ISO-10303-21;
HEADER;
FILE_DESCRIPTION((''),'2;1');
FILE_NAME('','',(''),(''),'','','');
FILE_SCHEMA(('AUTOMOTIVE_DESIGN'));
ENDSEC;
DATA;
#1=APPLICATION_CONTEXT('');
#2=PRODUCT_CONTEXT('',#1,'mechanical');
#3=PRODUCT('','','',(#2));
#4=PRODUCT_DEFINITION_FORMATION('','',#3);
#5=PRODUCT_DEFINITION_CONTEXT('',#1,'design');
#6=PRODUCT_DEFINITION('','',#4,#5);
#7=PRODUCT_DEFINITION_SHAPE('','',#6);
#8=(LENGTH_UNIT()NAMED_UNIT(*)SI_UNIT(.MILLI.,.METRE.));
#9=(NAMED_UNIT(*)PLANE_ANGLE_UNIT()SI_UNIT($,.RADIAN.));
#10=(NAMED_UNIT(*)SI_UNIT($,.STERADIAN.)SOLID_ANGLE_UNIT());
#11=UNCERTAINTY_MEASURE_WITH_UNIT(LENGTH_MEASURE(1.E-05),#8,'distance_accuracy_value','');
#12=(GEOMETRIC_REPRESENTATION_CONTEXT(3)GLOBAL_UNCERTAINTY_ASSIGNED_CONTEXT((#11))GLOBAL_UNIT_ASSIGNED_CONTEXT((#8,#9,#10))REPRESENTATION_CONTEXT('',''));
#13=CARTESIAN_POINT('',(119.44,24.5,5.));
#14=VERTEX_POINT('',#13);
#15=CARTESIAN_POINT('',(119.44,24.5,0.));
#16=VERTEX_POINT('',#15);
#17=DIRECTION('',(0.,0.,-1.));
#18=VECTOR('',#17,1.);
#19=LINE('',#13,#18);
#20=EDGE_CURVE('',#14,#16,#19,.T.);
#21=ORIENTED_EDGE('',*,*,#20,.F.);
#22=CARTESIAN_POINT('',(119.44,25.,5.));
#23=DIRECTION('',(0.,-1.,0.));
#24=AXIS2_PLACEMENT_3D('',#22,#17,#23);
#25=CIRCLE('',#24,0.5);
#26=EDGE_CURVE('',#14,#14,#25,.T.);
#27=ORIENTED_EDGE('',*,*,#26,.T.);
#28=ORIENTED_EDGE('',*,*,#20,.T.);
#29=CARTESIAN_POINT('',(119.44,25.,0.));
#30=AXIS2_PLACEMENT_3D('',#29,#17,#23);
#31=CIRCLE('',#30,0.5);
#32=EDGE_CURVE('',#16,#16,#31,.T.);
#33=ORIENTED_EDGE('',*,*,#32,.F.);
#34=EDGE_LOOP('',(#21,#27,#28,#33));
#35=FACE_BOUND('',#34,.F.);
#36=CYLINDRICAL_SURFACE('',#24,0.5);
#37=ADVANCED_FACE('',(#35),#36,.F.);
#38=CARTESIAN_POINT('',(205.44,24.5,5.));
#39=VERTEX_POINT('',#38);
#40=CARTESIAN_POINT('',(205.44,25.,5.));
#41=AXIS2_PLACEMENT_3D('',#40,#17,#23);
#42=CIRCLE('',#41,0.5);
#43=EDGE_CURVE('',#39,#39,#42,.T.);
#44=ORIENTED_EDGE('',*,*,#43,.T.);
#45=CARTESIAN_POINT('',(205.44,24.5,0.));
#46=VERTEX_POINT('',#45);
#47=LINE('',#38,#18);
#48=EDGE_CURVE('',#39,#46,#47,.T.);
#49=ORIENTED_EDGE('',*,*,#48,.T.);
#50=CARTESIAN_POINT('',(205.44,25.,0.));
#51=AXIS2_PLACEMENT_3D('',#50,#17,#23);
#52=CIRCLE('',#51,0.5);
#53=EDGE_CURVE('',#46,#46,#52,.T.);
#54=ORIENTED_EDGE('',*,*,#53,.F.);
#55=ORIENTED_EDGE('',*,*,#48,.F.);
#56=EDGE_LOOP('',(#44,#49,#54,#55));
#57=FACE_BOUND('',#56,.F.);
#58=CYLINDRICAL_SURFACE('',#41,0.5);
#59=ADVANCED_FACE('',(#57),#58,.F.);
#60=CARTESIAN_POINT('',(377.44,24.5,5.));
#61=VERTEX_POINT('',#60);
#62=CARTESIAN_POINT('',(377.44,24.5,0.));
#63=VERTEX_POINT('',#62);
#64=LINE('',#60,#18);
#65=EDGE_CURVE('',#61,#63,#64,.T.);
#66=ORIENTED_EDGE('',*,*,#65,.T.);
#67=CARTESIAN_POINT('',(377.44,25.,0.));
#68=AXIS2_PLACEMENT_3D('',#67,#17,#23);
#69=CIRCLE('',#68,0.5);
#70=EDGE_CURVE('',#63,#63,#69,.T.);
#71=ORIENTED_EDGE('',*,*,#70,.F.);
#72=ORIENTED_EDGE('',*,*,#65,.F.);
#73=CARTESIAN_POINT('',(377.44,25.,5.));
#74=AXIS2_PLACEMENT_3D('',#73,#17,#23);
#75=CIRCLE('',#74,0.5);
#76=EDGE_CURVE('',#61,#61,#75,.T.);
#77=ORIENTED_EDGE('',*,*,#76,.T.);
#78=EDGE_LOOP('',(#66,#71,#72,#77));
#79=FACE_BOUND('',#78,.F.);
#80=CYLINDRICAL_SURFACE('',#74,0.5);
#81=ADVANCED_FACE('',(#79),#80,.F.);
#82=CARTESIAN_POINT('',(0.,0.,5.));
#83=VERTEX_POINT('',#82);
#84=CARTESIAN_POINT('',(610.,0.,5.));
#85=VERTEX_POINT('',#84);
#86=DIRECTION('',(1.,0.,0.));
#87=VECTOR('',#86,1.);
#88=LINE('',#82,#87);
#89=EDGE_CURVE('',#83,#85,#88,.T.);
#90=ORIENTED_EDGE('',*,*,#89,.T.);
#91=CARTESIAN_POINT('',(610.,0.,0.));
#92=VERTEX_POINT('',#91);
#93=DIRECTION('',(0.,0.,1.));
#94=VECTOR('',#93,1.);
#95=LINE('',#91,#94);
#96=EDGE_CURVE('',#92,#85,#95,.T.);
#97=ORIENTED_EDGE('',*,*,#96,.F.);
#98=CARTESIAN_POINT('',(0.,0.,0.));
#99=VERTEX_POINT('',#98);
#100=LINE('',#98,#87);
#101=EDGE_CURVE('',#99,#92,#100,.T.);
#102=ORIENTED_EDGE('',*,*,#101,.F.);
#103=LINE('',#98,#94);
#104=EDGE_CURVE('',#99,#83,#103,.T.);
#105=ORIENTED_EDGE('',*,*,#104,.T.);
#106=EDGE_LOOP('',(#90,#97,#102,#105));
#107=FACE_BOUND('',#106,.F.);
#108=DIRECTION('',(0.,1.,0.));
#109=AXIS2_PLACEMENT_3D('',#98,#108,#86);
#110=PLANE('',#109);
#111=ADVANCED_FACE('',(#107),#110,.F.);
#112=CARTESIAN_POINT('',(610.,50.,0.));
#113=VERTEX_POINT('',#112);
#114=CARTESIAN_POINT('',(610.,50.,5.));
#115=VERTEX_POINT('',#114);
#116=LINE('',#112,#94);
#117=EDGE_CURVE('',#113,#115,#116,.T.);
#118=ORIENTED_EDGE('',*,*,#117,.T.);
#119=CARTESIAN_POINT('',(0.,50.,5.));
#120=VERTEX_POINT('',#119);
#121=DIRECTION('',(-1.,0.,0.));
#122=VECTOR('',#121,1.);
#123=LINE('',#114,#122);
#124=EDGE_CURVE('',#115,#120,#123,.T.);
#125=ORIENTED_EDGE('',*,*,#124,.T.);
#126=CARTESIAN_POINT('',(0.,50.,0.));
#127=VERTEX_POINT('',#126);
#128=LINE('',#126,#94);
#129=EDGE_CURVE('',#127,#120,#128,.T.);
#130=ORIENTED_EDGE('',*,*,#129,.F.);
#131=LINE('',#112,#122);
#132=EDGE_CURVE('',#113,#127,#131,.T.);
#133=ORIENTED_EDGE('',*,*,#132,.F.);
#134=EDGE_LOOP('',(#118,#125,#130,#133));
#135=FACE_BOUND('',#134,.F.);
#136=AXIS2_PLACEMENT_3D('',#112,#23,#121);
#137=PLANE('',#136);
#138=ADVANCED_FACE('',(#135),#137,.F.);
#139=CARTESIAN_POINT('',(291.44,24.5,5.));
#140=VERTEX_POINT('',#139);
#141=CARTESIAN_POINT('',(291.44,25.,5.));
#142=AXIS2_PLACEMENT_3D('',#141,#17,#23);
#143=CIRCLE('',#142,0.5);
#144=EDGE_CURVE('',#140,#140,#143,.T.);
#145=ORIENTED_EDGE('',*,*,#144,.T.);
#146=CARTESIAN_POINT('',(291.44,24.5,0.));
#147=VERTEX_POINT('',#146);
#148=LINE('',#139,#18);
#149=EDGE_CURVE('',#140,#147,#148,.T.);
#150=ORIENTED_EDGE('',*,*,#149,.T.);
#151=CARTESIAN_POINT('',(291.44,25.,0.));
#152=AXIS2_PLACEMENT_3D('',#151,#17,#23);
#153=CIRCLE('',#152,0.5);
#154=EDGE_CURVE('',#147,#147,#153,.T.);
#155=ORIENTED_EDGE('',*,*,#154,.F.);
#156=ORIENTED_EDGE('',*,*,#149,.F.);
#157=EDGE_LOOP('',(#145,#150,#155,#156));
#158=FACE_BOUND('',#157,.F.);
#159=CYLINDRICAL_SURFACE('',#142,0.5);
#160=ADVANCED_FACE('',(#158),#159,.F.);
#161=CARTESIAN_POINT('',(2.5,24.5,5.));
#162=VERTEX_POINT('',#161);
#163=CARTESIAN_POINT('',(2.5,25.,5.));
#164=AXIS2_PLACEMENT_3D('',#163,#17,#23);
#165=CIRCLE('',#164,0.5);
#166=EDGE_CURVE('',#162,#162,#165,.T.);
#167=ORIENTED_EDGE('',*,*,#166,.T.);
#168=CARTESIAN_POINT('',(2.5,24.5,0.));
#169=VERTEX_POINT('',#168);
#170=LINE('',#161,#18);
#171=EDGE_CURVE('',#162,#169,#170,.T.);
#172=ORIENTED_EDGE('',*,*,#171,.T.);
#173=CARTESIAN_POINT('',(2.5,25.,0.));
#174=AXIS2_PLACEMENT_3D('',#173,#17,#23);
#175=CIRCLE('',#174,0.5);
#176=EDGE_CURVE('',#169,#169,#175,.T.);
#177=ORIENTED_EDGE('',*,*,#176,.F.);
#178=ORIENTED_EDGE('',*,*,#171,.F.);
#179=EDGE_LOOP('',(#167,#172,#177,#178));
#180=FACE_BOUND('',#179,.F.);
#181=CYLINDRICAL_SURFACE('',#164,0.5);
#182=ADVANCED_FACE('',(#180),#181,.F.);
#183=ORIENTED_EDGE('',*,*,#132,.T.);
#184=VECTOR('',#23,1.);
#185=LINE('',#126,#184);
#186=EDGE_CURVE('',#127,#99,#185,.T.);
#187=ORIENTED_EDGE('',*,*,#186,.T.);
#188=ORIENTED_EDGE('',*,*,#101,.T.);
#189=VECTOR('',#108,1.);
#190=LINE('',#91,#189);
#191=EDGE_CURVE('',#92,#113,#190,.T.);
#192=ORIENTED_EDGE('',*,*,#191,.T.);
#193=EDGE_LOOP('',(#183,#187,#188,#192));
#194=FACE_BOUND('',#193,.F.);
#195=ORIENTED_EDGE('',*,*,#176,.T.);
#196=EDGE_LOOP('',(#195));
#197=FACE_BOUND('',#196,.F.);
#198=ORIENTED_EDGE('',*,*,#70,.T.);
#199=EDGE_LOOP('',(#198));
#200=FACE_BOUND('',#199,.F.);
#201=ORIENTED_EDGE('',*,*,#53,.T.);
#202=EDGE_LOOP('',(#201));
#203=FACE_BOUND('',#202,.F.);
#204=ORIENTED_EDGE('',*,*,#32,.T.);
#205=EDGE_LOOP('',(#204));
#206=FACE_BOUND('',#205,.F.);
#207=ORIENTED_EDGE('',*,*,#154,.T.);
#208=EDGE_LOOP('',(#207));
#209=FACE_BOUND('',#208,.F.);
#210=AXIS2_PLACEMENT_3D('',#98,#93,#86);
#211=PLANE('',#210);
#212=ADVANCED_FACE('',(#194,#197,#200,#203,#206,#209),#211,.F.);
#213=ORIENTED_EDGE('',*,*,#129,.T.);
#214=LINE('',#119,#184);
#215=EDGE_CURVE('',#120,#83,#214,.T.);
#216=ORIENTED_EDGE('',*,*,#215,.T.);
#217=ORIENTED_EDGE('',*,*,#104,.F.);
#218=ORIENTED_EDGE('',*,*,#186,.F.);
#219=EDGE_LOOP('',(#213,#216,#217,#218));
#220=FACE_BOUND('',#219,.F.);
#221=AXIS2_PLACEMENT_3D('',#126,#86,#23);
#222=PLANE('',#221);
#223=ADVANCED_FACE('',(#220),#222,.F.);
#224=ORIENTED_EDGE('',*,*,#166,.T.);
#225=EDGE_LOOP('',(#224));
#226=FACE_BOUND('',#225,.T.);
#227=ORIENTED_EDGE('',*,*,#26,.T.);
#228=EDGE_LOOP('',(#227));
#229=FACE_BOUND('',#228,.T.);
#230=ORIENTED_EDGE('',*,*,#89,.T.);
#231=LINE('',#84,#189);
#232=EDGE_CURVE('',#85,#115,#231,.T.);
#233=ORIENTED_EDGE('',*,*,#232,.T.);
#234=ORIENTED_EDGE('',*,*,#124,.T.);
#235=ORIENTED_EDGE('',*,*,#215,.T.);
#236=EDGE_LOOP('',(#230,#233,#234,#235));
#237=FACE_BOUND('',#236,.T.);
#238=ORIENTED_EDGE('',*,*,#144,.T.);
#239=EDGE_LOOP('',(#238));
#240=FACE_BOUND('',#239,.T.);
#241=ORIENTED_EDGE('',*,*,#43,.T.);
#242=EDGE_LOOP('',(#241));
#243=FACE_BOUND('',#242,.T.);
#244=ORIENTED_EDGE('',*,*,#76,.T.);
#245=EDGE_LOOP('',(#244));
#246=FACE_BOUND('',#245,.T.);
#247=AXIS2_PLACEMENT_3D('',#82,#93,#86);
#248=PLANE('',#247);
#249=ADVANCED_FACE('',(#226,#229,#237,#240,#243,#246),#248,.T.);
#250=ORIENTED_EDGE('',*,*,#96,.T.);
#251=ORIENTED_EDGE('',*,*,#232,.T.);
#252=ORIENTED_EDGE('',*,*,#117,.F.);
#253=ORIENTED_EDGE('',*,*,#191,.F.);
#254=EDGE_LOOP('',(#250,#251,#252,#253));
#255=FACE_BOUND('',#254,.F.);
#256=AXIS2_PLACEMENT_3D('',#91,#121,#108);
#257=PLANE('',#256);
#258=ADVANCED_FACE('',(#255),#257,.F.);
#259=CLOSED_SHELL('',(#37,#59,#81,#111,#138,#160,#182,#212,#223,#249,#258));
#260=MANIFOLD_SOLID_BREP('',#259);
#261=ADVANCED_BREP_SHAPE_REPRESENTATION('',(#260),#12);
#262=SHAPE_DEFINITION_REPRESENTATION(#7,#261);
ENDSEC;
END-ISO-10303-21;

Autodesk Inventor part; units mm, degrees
ref_plane "YZ Plane" through (0, 0, 0) normal (1, 0, 0) x (0, 1, 0)
ref_plane "XZ Plane" through (0, 0, 0) normal (0, 1, 0) x (-1, 0, 0)
ref_plane "XY Plane" through (0, 0, 0) normal (0, 0, 1) x (1, 0, 0)
sketch "Sketch1" plane through (0, 0, 0) normal (0, 0, 1) x (1, 0, 0)
  line L0 (0, 0) -> (610, 0)
  line L1 (610, 0) -> (610, 50)
  line L2 (610, 50) -> (0, 50)
  line L3 (0, 50) -> (0, 0)
  dimension "d0" = 610
  dimension "d1" = 50
extrude "Extrusion1" add sketch "Sketch1" along normal blind 5
sketch "Sketch2" plane through (0, 0, 5) normal (0, 0, 1) x (1, 0, 0)
  line L0 (0, 50) -> (0, 0) projected
  line L1 (610, 50) -> (0, 50) projected
  line L2 (0, 0) -> (610, 0) projected
  point P0 (2.5, 25)
  point P1 (119.44, 25)
  point P2 (205.44, 25)
  point P3 (291.44, 25)
  point P4 (377.44, 25)
  dimension "d4" = 2.5
  dimension "d5" = 25
  dimension "d6" = 119.44
  dimension "d7" = 25
  dimension "d8" = 205.44
  dimension "d9" = 25
  dimension "d10" = 25
  dimension "d11" = 291.44
  dimension "d12" = 25
  dimension "d13" = 377.44
hole "Hole1" at (2.5, 25, 5) at (119.44, 25, 5) at (205.44, 25, 5) at (291.44, 25, 5) at (377.44, 25, 5) direction (0, 0, -1) diameter 1 end through all
properties part number "side_support_holder"
